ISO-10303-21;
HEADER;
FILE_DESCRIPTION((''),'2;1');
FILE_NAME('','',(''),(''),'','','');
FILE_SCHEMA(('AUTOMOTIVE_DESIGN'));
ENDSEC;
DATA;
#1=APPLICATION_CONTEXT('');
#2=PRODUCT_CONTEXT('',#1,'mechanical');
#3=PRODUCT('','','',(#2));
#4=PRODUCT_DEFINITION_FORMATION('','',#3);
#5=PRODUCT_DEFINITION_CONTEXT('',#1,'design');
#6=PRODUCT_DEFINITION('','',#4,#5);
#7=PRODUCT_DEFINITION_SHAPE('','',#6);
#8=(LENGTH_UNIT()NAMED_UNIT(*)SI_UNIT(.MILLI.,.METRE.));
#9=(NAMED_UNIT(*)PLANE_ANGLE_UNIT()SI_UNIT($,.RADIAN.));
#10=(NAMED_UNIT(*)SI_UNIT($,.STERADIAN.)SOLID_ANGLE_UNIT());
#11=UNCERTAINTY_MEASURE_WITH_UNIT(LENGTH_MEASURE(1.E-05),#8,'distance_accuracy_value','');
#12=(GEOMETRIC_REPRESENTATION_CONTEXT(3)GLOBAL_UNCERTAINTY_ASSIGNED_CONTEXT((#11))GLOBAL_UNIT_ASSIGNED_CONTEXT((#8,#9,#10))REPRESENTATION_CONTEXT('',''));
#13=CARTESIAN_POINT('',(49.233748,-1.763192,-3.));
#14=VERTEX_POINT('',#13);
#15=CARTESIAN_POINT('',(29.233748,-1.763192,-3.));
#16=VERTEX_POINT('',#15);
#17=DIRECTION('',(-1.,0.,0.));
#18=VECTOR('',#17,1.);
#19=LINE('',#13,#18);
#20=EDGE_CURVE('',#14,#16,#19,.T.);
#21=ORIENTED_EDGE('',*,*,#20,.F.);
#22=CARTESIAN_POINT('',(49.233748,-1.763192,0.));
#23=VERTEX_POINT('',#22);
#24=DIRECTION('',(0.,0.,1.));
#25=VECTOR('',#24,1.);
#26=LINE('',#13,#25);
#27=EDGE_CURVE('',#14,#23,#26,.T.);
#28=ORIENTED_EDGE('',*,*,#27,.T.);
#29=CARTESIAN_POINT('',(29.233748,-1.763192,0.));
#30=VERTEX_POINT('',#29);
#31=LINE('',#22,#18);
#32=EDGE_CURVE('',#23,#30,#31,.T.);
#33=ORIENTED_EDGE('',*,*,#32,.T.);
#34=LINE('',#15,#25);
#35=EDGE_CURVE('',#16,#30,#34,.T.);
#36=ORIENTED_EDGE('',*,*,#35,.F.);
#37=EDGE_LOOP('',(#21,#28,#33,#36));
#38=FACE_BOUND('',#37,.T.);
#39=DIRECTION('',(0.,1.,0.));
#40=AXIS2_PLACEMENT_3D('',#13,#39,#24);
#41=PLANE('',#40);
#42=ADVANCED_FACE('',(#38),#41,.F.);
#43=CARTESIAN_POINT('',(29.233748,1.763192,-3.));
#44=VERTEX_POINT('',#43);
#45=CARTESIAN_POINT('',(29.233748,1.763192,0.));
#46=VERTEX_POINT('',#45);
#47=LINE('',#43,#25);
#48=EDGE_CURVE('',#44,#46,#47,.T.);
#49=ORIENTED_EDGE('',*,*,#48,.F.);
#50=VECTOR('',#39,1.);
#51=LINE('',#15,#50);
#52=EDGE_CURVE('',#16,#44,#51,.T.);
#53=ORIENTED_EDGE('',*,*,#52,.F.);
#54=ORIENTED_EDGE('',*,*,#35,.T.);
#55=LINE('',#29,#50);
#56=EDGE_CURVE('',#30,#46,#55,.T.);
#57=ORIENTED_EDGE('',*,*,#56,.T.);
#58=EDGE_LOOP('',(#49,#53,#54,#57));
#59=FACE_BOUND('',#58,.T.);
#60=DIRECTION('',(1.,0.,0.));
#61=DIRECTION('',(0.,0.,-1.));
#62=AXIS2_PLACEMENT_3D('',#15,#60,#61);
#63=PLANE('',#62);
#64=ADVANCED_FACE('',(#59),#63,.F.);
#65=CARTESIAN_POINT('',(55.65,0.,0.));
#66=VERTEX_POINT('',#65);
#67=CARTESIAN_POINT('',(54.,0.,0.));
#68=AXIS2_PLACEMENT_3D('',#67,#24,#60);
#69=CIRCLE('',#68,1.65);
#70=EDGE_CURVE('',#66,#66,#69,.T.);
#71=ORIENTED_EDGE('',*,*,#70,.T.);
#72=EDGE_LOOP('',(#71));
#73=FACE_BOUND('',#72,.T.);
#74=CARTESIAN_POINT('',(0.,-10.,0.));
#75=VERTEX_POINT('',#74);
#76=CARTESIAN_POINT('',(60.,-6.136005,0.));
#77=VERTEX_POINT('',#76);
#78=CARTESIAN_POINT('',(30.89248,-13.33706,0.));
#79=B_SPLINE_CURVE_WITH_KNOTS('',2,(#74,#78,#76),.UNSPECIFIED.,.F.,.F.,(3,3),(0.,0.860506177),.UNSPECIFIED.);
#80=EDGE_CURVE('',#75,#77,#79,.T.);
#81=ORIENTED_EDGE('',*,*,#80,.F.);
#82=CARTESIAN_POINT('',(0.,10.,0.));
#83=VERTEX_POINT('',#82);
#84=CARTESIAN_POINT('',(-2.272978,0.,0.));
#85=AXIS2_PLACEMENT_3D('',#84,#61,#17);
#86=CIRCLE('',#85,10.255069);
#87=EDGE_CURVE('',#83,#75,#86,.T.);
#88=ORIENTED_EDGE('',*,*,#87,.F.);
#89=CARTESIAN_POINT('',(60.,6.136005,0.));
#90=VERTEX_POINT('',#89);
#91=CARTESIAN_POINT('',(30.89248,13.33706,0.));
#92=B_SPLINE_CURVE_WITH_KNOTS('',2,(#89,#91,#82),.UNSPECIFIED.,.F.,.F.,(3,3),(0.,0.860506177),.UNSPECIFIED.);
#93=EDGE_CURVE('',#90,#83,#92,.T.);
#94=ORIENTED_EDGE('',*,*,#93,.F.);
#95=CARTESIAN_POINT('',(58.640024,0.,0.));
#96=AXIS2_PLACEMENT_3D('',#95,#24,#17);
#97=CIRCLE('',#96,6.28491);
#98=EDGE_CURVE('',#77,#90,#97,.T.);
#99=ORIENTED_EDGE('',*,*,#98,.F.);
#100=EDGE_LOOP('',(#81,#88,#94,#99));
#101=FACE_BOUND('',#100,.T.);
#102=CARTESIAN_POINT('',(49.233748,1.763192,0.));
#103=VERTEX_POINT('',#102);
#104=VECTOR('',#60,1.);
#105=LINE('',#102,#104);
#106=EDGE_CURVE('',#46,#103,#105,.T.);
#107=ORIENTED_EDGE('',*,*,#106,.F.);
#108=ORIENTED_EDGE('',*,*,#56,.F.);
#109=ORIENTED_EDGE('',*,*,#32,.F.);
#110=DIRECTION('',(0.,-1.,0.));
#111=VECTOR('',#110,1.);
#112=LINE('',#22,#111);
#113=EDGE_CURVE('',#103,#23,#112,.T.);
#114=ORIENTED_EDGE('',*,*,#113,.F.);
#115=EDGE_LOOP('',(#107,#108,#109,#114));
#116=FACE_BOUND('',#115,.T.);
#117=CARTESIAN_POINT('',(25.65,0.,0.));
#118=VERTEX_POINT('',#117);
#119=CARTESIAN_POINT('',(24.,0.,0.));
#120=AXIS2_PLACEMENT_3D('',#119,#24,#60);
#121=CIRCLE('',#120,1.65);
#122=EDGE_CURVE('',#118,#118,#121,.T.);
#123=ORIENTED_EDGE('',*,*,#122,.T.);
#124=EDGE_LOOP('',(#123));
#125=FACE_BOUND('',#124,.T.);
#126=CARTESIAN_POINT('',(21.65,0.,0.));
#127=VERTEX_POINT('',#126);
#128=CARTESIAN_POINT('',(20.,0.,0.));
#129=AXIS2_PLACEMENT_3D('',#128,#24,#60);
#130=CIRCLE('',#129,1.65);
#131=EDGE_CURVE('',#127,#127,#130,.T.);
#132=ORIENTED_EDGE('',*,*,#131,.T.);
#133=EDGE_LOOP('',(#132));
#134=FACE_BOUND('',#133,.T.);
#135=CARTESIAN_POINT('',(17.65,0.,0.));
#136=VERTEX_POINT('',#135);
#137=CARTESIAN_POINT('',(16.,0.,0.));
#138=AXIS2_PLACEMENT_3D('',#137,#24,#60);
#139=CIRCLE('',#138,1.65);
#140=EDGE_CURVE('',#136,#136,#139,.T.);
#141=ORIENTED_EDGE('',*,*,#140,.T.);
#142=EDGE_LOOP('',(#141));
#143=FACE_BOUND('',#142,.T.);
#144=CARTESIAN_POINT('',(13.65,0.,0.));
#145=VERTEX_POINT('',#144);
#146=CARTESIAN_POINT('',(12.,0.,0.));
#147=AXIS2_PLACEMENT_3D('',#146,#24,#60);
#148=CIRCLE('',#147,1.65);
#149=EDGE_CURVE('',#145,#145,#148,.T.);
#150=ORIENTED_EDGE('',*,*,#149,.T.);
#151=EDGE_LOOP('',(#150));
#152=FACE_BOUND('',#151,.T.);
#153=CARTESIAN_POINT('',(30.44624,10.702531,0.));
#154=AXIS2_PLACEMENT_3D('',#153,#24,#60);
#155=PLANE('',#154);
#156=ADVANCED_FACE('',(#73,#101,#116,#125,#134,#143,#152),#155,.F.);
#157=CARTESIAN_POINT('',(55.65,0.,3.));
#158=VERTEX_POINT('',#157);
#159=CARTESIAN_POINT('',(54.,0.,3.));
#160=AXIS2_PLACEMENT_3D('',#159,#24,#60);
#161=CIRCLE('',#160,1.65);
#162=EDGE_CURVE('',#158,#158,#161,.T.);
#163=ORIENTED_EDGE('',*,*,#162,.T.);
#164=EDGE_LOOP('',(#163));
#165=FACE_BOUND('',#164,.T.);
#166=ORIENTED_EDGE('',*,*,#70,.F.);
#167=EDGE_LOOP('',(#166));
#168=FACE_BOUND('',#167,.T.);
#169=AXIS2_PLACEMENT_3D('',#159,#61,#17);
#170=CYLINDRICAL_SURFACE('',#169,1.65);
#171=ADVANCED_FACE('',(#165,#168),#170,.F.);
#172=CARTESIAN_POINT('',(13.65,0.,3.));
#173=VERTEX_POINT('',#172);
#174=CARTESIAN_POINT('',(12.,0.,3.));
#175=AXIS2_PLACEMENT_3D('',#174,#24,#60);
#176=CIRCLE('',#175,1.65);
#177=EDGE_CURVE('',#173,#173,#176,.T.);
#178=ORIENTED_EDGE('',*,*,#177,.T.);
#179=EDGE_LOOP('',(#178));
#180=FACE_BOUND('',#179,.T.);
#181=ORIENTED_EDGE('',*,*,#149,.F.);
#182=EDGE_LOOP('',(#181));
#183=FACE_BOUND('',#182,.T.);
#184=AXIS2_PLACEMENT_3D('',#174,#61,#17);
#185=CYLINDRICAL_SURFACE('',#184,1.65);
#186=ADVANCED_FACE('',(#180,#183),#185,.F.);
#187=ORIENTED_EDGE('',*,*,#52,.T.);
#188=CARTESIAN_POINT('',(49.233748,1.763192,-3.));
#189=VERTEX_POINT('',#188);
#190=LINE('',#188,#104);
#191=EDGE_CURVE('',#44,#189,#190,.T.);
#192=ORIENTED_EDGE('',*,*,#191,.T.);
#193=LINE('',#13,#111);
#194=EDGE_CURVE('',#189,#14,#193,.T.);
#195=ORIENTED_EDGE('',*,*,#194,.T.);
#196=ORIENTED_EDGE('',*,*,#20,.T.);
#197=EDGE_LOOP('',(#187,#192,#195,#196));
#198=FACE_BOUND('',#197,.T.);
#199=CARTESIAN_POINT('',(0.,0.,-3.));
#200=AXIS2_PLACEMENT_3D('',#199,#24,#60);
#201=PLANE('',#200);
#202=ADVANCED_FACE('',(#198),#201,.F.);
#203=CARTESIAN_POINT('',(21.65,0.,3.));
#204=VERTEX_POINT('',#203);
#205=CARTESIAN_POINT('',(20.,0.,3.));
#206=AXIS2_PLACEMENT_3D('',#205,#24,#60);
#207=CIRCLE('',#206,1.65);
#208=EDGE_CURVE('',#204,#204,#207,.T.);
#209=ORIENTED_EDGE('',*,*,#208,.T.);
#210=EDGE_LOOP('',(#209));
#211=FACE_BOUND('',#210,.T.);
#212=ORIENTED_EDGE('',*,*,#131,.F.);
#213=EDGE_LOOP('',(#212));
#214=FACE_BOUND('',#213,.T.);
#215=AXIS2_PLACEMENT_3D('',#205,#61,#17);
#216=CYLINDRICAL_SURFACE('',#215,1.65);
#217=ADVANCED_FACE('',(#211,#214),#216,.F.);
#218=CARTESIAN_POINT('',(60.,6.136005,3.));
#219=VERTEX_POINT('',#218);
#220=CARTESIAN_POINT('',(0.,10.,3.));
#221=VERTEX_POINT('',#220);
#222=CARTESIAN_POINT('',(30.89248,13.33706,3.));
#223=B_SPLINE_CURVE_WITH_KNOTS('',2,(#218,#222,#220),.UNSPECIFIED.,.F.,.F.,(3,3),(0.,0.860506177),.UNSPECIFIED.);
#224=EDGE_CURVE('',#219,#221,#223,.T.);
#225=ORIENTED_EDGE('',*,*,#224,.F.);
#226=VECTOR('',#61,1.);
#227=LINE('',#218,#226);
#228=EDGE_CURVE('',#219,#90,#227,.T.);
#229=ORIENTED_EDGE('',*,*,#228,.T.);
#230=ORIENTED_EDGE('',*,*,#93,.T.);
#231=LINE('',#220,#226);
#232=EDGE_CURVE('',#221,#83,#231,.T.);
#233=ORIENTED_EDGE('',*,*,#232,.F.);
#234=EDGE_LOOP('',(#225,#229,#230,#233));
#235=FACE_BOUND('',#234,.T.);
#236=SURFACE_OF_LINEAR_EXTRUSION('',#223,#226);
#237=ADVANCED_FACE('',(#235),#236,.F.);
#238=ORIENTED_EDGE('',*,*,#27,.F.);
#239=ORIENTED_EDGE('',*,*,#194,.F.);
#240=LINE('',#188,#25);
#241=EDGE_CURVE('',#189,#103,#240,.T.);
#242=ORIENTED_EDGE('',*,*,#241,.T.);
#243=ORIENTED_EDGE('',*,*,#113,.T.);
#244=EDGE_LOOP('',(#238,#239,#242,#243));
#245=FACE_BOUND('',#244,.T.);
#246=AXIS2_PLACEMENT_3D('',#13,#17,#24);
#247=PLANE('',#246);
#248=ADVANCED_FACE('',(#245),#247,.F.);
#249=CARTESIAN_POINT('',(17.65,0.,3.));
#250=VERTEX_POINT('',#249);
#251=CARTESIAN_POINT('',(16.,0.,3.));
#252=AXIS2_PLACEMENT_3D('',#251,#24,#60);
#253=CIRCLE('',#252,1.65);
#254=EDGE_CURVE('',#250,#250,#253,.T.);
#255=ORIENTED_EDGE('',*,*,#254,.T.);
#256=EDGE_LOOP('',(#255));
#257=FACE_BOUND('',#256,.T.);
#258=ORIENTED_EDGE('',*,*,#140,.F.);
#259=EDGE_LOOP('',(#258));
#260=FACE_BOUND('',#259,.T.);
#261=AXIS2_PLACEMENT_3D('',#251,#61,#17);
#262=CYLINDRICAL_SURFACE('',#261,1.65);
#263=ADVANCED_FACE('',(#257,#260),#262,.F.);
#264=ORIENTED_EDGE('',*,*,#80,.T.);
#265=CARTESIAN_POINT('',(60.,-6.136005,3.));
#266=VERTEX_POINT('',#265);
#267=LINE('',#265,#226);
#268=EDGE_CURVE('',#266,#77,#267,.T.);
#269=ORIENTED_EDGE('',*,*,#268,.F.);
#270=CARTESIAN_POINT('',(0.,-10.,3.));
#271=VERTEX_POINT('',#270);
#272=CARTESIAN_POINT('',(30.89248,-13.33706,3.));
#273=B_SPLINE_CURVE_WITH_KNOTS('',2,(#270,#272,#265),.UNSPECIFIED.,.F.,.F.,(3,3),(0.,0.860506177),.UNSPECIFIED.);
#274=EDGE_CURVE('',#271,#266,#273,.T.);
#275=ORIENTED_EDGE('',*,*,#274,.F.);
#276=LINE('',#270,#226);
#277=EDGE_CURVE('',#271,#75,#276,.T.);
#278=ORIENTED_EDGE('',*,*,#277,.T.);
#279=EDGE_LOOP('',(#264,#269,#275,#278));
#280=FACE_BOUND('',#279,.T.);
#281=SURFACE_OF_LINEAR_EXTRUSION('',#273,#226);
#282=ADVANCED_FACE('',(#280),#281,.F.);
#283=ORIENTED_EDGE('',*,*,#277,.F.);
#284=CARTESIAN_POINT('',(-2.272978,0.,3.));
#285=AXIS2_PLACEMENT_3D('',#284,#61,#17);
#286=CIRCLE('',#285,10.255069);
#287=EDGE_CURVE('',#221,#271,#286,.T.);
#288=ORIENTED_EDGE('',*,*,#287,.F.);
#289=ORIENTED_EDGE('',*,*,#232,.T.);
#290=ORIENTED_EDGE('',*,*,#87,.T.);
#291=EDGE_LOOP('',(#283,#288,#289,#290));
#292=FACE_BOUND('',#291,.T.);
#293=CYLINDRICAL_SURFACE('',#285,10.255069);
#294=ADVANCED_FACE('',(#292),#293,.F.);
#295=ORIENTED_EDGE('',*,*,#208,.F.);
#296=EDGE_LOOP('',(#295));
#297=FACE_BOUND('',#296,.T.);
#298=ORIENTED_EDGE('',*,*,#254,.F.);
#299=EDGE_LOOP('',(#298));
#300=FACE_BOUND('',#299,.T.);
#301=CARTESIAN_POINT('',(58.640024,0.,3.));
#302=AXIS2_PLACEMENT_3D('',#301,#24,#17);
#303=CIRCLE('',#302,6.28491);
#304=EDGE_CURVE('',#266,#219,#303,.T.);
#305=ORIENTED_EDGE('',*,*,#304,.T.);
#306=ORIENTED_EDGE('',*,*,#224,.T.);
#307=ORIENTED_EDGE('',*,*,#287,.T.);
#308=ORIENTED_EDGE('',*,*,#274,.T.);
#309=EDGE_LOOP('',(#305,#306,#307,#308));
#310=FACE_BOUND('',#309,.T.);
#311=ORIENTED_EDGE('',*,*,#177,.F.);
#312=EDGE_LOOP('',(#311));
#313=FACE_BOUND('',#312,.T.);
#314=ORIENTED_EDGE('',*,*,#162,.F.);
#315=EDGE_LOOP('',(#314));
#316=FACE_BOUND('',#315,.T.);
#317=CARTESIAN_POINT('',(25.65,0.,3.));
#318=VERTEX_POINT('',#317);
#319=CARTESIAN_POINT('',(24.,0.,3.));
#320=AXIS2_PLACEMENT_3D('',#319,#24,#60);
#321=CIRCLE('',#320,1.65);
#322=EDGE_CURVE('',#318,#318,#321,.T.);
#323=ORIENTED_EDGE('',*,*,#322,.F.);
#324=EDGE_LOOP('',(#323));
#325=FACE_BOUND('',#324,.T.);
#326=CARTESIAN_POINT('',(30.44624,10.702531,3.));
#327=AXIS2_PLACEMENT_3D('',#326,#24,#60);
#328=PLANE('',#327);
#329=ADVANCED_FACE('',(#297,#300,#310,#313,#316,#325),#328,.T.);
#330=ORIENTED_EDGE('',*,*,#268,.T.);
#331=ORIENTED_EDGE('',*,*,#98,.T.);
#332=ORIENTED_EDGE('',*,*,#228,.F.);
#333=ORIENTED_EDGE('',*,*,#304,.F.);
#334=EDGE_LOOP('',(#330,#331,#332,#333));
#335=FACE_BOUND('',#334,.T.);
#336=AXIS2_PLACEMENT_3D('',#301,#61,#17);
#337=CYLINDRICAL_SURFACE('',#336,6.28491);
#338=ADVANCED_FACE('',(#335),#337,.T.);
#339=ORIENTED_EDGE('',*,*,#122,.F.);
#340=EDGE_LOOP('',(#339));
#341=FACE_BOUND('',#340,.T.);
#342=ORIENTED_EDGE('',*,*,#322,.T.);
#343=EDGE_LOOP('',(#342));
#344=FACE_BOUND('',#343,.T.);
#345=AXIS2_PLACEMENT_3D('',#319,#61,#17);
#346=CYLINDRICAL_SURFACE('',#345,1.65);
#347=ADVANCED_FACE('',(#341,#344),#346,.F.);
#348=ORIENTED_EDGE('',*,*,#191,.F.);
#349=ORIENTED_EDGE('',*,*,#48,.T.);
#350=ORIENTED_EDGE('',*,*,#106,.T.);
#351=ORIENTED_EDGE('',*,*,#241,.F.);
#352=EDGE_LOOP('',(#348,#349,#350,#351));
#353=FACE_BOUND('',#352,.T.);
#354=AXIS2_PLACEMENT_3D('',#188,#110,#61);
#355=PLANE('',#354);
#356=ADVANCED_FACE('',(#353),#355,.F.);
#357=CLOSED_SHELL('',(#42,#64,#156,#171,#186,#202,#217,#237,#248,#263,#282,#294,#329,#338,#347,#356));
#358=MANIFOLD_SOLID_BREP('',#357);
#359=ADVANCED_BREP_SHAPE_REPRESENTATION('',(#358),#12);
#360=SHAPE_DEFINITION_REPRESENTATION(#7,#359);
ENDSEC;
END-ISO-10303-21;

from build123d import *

# Parameters (mm, degrees)
SKETCH1_R           = 1.65
BOSS_EXTRUDE1_DEPTH = 3
SKETCH3_W           = 20
SKETCH3_H           = 3.526384588
BOSS_EXTRUDE2_DEPTH = 3


with BuildPart() as part:
    # Sketch1 → Boss-Extrude1 (new body)
    with BuildSketch(Plane.XY):
        with BuildLine():
            ThreePointArc((60, 6.136005382), (64.924934056, 0), (60, -6.136005382))
            add(Edge.make_bspline(
                [(0, -10), (30.892479525, -13.337059616), (60, -6.136005382)],
                knots=[0, 0, 0, 0.860506177, 0.860506177, 0.860506177], degree=2))
            ThreePointArc((0, -10), (7.982090261, 0), (0, 10))
            add(Edge.make_bspline(
                [(0, 10), (30.892479525, 13.337059616), (60, 6.136005382)],
                knots=[0, 0, 0, 0.860506177, 0.860506177, 0.860506177], degree=2))
        make_face()
        with Locations((12, 0)):
            Circle(SKETCH1_R, mode=Mode.SUBTRACT)
        with Locations((16, 0)):
            Circle(SKETCH1_R, mode=Mode.SUBTRACT)
        with Locations((20, 0)):
            Circle(SKETCH1_R, mode=Mode.SUBTRACT)
        with Locations((24, 0)):
            Circle(SKETCH1_R, mode=Mode.SUBTRACT)
        with Locations((54, 0)):
            Circle(SKETCH1_R, mode=Mode.SUBTRACT)
    extrude(amount=BOSS_EXTRUDE1_DEPTH)

    # Sketch3 → Boss-Extrude2 (add)
    with BuildSketch(Plane(origin=(0, 0, 0), x_dir=(-1, 0, 0), z_dir=(0, 0, -1))):
        with Locations((-39.233748341, 0)):
            Rectangle(SKETCH3_W, SKETCH3_H)
    extrude(amount=BOSS_EXTRUDE2_DEPTH)


solid = part.part
